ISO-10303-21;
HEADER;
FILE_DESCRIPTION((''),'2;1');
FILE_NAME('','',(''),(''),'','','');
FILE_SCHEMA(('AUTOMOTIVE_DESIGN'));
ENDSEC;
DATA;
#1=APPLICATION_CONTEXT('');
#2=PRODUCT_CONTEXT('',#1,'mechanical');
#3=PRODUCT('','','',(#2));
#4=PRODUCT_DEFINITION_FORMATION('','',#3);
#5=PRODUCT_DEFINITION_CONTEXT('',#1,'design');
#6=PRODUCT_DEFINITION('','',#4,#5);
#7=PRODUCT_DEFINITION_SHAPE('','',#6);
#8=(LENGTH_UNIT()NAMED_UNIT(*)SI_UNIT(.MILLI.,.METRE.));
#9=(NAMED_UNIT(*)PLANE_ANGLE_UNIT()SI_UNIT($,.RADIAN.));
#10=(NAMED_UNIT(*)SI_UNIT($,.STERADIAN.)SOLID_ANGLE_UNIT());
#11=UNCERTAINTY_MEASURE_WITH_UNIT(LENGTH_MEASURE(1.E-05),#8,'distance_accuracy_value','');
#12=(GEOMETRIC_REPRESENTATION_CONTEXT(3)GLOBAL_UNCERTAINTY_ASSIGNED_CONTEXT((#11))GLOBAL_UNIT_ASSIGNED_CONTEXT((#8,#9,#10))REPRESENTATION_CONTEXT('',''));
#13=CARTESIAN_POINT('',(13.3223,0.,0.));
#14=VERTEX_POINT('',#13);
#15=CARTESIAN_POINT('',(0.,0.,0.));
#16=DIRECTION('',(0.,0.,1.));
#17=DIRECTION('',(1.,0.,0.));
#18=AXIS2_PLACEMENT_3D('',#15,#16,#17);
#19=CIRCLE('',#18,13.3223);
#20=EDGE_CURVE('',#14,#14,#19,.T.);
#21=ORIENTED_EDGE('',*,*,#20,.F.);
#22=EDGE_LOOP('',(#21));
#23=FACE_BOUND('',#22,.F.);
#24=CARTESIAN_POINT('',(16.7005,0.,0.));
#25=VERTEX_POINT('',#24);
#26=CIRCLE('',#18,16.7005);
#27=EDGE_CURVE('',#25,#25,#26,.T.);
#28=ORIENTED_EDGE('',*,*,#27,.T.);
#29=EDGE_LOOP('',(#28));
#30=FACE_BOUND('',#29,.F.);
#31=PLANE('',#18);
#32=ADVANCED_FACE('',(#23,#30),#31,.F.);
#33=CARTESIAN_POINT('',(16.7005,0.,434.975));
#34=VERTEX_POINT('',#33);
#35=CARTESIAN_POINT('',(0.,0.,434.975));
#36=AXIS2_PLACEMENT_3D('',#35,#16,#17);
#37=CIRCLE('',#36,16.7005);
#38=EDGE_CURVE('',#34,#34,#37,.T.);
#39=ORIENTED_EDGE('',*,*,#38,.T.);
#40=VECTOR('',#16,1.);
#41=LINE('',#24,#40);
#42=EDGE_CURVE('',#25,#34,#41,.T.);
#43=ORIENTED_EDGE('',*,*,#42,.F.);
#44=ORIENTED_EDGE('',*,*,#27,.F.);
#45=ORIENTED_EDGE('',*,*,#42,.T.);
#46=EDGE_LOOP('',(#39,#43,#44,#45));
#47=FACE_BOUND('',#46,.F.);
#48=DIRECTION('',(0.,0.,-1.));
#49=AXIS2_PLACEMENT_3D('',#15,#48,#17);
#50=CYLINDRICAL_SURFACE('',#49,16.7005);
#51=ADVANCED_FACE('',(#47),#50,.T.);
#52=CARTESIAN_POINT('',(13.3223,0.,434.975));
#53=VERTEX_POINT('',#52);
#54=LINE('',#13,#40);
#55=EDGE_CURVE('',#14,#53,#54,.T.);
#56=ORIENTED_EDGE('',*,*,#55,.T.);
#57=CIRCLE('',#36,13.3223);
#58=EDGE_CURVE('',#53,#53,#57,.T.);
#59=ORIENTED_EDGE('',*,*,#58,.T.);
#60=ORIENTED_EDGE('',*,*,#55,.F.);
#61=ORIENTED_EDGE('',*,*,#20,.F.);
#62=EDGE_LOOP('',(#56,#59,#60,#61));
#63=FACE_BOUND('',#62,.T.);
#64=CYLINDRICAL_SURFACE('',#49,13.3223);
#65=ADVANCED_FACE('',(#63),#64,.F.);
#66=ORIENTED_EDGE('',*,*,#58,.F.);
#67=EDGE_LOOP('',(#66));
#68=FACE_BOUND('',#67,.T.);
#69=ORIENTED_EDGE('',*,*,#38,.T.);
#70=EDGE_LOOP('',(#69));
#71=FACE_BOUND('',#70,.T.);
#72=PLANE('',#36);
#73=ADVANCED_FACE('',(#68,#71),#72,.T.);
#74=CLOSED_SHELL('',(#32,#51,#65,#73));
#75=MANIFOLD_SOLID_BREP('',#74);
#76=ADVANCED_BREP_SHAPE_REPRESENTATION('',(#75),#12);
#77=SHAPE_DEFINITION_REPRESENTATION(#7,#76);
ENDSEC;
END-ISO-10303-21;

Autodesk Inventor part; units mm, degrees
ref_plane "YZ Plane" through (0, 0, 0) normal (1, 0, 0) x (0, 1, 0)
ref_plane "Start plane" through (0, 0, 0) normal (0, 0, 1) x (1, 0, 0)
ref_plane "End plane" through (0, 0, 434.975) normal (0, 0, 1) x (1, 0, 0)
sketch "Sketch" plane through (0, 0, 0) normal (0, 0, 1) x (1, 0, 0)
  circle A0 centre (0, 0) radius 13.3223
  circle A1 centre (0, 0) radius 16.7005
  dimension "d0" = 33.401
  dimension "d1" = 3.3782
extrude "Body" add sketch "Sketch" along normal up to surface (434.975 mm away) from surface at 0
sketch "Sketch3" plane through (0, 0, 0) normal (0, 0, 1) x (1, 0, 0)
  line L0 (0, 0) -> (10, 0)
ref_plane "Work Plane3" through (0, 0, 0) normal (0, -1, 0) x (1, 0, 0)
sketch "Sketch4" plane through (0, 0, 0) normal (0, -1, 0) x (1, 0, 0)
  line L0 (-2, 0) -> (12, 0)
  line L1 (-2, 434.975) -> (12, 434.975)
  dimension "d7" = 434.975
equation "\"d0\" = G_H"
equation "\"d1\" = G_T"
equation "\"d2\" = G_L"
equation "\"G_H\" = 33.401"
equation "\"G_T\" = 3.3782"
equation "\"G_L\" = d7"
equation "\"G_OFFSET_START\" = 0"
equation "\"G_OFFSET_END\" = 0"
equation "\"d5\" = G_OFFSET_END + B_L"
equation "\"B_L\" = 434.975"
properties part number "ANSI - 1 x 0.133 - 17.125" material "Steel, Mild"
